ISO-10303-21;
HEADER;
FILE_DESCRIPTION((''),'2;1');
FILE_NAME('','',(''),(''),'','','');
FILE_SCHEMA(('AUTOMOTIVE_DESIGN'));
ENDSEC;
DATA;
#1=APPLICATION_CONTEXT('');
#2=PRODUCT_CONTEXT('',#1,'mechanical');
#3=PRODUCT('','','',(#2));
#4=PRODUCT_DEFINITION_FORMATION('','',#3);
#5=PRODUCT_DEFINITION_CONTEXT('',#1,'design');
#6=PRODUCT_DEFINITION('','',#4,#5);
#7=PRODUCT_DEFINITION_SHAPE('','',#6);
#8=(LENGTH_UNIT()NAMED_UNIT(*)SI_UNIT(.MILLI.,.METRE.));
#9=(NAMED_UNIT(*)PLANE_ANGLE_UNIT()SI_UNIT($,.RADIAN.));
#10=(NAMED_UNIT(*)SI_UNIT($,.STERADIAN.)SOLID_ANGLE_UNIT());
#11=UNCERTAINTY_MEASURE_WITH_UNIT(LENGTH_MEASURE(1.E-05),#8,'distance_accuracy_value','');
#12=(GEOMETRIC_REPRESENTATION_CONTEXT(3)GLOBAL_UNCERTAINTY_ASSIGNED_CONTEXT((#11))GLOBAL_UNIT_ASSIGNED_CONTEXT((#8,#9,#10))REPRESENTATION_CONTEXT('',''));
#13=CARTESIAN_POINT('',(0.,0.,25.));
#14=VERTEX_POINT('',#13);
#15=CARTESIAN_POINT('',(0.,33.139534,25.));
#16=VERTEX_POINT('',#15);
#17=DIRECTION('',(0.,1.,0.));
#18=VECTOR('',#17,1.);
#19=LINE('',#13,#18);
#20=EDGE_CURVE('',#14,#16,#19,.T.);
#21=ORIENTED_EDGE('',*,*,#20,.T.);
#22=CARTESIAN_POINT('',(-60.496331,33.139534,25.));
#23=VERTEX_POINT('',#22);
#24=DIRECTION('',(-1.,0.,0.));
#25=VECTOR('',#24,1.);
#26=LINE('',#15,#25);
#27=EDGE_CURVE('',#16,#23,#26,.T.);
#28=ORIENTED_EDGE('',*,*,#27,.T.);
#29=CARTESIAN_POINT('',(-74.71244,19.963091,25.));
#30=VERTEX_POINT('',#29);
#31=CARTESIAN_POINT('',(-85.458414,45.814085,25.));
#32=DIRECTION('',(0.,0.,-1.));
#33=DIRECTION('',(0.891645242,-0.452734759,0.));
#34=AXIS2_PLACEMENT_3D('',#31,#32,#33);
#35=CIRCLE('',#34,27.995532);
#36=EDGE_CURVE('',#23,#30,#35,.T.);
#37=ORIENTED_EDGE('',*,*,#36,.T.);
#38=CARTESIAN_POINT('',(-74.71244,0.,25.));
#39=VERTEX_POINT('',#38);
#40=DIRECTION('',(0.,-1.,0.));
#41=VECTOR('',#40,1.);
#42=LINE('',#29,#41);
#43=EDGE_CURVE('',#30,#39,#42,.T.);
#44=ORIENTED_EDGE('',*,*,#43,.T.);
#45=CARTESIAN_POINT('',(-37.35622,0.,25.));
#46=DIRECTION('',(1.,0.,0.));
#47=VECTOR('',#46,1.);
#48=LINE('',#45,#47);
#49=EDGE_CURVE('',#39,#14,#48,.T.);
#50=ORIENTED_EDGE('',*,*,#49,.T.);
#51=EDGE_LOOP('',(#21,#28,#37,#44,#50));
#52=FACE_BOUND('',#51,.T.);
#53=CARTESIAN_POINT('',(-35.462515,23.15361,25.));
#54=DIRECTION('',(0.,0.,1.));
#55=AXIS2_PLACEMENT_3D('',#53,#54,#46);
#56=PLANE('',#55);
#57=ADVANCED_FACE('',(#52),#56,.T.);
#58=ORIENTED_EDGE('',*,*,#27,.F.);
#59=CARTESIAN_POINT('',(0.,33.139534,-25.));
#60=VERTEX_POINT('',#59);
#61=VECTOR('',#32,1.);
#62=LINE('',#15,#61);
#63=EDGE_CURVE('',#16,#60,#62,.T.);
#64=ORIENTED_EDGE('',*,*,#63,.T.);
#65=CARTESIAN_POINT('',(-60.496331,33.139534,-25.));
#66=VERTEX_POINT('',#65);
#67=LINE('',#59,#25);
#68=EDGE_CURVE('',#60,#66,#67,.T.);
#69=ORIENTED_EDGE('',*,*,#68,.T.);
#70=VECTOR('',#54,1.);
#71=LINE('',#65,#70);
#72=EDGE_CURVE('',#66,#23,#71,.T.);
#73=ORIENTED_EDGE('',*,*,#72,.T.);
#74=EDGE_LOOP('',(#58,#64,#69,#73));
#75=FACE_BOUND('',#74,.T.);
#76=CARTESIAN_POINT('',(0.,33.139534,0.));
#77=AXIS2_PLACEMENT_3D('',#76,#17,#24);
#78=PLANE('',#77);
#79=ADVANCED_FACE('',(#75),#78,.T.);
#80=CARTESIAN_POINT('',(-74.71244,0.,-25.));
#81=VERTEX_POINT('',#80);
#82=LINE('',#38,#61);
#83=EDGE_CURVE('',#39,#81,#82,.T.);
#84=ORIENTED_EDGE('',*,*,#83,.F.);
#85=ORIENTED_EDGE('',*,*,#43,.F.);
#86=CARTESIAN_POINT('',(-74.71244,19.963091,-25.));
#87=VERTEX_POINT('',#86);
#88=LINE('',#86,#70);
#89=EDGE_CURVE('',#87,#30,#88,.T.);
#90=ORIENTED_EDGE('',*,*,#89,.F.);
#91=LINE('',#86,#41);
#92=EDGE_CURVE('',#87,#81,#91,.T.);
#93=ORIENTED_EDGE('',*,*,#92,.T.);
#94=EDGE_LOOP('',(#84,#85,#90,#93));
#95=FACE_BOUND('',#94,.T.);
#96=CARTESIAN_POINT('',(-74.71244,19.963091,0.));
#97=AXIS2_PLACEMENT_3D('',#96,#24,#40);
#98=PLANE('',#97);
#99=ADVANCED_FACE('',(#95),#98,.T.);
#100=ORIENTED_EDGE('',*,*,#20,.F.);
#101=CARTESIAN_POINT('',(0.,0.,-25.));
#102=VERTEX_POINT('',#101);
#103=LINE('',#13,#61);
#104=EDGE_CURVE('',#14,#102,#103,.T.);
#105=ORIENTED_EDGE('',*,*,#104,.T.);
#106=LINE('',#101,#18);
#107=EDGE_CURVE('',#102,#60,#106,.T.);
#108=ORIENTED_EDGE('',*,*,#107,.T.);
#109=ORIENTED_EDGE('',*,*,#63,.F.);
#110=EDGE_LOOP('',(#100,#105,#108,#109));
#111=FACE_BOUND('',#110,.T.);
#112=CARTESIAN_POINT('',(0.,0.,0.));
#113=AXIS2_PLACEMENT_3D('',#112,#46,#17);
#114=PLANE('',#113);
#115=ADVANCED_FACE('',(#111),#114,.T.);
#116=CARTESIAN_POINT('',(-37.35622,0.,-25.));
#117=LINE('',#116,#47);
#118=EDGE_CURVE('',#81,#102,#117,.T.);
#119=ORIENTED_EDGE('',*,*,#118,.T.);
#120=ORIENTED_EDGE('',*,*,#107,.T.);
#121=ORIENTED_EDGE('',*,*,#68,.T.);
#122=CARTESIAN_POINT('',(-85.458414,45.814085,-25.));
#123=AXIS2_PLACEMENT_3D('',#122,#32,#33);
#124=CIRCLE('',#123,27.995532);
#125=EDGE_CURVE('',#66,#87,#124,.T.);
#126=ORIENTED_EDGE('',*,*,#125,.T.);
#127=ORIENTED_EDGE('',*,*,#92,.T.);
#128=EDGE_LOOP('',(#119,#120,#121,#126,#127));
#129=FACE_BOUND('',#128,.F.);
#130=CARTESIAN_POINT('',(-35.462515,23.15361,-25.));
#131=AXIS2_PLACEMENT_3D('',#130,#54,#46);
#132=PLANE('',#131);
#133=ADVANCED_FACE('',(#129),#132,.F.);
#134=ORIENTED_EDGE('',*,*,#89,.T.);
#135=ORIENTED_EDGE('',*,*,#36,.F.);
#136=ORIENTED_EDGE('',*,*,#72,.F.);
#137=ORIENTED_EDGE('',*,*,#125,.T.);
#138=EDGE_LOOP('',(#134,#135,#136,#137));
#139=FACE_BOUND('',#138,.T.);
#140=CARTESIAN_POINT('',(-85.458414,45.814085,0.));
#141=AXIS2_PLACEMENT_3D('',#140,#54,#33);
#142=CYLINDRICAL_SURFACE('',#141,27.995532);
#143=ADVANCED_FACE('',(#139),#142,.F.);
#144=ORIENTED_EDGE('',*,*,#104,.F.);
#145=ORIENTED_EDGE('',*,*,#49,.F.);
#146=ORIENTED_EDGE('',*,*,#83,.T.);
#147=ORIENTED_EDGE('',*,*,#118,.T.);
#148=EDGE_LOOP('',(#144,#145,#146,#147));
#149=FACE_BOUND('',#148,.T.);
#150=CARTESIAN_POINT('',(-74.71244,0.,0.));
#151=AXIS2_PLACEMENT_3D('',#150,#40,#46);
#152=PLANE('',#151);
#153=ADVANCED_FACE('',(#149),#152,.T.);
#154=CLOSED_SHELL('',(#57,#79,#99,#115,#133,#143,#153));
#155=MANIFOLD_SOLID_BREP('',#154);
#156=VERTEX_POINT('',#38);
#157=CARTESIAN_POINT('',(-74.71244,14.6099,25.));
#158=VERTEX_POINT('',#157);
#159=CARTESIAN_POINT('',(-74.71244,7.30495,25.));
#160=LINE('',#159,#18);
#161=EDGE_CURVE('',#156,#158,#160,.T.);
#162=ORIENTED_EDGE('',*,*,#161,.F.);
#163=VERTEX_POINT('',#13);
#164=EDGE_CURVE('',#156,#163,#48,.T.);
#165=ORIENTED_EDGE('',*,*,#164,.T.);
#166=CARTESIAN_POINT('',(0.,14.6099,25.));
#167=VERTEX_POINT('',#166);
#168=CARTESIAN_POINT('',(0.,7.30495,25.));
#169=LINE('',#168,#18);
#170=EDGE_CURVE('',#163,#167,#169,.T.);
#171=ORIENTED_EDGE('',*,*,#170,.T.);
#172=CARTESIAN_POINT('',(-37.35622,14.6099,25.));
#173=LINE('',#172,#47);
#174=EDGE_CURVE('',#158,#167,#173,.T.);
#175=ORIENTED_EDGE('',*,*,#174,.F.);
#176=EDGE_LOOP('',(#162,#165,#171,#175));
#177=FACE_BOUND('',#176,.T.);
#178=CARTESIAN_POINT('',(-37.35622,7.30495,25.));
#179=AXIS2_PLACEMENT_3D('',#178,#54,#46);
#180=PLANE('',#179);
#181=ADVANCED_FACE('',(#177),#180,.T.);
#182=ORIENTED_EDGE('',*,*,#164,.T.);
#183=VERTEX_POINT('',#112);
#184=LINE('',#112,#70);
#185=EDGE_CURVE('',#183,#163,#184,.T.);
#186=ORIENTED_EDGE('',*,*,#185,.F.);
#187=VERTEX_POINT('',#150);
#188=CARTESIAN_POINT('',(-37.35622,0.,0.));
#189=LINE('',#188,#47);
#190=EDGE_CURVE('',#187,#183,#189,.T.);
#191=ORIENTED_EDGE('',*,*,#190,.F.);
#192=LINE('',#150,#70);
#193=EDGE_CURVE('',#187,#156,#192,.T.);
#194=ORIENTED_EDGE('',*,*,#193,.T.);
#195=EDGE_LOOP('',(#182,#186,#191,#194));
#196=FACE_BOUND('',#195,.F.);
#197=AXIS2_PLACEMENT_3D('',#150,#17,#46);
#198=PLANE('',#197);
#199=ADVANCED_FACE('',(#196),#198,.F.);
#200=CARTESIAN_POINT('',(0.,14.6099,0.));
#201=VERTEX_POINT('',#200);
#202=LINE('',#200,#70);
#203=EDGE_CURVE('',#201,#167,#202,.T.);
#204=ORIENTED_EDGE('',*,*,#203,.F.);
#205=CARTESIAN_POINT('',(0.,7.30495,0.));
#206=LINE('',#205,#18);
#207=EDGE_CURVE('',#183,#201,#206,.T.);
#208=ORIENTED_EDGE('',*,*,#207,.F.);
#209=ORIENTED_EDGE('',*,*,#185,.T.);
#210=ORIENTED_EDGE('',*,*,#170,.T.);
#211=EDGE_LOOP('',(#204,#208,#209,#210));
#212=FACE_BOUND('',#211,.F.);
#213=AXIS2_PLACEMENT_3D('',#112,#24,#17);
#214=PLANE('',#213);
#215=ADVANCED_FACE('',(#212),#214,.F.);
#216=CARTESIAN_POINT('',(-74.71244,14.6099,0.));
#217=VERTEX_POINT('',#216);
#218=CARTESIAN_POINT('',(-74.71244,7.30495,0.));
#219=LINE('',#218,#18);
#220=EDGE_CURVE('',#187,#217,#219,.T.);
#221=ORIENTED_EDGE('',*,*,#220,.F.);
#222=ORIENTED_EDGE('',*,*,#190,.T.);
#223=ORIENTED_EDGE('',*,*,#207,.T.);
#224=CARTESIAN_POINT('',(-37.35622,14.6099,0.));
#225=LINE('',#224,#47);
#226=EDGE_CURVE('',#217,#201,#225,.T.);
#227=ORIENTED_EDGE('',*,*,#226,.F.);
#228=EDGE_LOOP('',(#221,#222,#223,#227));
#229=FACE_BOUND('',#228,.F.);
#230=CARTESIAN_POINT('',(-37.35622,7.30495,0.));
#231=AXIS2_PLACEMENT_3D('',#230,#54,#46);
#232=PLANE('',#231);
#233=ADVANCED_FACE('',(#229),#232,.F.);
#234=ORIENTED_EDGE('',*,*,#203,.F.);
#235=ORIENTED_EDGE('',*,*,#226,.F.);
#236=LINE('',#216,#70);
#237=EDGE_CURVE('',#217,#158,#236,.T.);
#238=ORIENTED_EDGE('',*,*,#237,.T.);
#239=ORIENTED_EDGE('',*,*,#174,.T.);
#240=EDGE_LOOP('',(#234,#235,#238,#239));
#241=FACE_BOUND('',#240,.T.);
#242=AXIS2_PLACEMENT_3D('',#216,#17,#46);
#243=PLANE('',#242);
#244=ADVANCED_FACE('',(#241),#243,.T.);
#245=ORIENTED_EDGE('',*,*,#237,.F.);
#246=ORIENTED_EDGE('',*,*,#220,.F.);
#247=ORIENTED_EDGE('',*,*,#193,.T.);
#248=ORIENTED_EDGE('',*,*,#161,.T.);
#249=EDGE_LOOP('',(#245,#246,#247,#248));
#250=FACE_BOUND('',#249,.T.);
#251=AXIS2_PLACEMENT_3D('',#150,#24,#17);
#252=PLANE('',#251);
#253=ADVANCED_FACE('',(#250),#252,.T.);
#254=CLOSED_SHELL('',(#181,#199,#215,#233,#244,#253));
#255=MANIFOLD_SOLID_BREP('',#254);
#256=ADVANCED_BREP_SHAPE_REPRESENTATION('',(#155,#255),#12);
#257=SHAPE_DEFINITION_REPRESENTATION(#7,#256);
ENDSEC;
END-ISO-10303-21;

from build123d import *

# Parameters (mm, degrees)
F0_W          = 74.71244
F0_H          = 14.6099
F1_DEPTH      = 25
F1_DEPTH_BACK = 25
F2_DEPTH      = 25


with BuildPart() as f1:
    # F0 (on Top) → F1 (new body, two sides)
    with BuildSketch(Plane.XY) as f1_sk:
        with BuildLine():
            Line((-74.71244, 14.6099), (0, 14.6099))
            Line((0, 14.6099), (0, 33.139534))
            Line((0, 33.139534), (-60.496331, 33.139534))
            ThreePointArc((-60.496331, 33.139534), (-66.427623, 25.2817), (-74.71244, 19.963091))
            Line((-74.71244, 19.963091), (-74.71244, 14.6099))
        make_face()
        with Locations((-37.35622, 7.30495)):
            Rectangle(F0_W, F0_H)
    extrude(amount=F1_DEPTH)
    extrude(f1_sk.sketch, amount=-F1_DEPTH_BACK)


with BuildPart() as f2:
    # F0 (on Top) → F2 (new body)
    with BuildSketch(Plane.XY):
        with Locations((-37.35622, 7.30495)):
            Rectangle(F0_W, F0_H)
    extrude(amount=F2_DEPTH)


solid = Compound([f1.part, f2.part])
